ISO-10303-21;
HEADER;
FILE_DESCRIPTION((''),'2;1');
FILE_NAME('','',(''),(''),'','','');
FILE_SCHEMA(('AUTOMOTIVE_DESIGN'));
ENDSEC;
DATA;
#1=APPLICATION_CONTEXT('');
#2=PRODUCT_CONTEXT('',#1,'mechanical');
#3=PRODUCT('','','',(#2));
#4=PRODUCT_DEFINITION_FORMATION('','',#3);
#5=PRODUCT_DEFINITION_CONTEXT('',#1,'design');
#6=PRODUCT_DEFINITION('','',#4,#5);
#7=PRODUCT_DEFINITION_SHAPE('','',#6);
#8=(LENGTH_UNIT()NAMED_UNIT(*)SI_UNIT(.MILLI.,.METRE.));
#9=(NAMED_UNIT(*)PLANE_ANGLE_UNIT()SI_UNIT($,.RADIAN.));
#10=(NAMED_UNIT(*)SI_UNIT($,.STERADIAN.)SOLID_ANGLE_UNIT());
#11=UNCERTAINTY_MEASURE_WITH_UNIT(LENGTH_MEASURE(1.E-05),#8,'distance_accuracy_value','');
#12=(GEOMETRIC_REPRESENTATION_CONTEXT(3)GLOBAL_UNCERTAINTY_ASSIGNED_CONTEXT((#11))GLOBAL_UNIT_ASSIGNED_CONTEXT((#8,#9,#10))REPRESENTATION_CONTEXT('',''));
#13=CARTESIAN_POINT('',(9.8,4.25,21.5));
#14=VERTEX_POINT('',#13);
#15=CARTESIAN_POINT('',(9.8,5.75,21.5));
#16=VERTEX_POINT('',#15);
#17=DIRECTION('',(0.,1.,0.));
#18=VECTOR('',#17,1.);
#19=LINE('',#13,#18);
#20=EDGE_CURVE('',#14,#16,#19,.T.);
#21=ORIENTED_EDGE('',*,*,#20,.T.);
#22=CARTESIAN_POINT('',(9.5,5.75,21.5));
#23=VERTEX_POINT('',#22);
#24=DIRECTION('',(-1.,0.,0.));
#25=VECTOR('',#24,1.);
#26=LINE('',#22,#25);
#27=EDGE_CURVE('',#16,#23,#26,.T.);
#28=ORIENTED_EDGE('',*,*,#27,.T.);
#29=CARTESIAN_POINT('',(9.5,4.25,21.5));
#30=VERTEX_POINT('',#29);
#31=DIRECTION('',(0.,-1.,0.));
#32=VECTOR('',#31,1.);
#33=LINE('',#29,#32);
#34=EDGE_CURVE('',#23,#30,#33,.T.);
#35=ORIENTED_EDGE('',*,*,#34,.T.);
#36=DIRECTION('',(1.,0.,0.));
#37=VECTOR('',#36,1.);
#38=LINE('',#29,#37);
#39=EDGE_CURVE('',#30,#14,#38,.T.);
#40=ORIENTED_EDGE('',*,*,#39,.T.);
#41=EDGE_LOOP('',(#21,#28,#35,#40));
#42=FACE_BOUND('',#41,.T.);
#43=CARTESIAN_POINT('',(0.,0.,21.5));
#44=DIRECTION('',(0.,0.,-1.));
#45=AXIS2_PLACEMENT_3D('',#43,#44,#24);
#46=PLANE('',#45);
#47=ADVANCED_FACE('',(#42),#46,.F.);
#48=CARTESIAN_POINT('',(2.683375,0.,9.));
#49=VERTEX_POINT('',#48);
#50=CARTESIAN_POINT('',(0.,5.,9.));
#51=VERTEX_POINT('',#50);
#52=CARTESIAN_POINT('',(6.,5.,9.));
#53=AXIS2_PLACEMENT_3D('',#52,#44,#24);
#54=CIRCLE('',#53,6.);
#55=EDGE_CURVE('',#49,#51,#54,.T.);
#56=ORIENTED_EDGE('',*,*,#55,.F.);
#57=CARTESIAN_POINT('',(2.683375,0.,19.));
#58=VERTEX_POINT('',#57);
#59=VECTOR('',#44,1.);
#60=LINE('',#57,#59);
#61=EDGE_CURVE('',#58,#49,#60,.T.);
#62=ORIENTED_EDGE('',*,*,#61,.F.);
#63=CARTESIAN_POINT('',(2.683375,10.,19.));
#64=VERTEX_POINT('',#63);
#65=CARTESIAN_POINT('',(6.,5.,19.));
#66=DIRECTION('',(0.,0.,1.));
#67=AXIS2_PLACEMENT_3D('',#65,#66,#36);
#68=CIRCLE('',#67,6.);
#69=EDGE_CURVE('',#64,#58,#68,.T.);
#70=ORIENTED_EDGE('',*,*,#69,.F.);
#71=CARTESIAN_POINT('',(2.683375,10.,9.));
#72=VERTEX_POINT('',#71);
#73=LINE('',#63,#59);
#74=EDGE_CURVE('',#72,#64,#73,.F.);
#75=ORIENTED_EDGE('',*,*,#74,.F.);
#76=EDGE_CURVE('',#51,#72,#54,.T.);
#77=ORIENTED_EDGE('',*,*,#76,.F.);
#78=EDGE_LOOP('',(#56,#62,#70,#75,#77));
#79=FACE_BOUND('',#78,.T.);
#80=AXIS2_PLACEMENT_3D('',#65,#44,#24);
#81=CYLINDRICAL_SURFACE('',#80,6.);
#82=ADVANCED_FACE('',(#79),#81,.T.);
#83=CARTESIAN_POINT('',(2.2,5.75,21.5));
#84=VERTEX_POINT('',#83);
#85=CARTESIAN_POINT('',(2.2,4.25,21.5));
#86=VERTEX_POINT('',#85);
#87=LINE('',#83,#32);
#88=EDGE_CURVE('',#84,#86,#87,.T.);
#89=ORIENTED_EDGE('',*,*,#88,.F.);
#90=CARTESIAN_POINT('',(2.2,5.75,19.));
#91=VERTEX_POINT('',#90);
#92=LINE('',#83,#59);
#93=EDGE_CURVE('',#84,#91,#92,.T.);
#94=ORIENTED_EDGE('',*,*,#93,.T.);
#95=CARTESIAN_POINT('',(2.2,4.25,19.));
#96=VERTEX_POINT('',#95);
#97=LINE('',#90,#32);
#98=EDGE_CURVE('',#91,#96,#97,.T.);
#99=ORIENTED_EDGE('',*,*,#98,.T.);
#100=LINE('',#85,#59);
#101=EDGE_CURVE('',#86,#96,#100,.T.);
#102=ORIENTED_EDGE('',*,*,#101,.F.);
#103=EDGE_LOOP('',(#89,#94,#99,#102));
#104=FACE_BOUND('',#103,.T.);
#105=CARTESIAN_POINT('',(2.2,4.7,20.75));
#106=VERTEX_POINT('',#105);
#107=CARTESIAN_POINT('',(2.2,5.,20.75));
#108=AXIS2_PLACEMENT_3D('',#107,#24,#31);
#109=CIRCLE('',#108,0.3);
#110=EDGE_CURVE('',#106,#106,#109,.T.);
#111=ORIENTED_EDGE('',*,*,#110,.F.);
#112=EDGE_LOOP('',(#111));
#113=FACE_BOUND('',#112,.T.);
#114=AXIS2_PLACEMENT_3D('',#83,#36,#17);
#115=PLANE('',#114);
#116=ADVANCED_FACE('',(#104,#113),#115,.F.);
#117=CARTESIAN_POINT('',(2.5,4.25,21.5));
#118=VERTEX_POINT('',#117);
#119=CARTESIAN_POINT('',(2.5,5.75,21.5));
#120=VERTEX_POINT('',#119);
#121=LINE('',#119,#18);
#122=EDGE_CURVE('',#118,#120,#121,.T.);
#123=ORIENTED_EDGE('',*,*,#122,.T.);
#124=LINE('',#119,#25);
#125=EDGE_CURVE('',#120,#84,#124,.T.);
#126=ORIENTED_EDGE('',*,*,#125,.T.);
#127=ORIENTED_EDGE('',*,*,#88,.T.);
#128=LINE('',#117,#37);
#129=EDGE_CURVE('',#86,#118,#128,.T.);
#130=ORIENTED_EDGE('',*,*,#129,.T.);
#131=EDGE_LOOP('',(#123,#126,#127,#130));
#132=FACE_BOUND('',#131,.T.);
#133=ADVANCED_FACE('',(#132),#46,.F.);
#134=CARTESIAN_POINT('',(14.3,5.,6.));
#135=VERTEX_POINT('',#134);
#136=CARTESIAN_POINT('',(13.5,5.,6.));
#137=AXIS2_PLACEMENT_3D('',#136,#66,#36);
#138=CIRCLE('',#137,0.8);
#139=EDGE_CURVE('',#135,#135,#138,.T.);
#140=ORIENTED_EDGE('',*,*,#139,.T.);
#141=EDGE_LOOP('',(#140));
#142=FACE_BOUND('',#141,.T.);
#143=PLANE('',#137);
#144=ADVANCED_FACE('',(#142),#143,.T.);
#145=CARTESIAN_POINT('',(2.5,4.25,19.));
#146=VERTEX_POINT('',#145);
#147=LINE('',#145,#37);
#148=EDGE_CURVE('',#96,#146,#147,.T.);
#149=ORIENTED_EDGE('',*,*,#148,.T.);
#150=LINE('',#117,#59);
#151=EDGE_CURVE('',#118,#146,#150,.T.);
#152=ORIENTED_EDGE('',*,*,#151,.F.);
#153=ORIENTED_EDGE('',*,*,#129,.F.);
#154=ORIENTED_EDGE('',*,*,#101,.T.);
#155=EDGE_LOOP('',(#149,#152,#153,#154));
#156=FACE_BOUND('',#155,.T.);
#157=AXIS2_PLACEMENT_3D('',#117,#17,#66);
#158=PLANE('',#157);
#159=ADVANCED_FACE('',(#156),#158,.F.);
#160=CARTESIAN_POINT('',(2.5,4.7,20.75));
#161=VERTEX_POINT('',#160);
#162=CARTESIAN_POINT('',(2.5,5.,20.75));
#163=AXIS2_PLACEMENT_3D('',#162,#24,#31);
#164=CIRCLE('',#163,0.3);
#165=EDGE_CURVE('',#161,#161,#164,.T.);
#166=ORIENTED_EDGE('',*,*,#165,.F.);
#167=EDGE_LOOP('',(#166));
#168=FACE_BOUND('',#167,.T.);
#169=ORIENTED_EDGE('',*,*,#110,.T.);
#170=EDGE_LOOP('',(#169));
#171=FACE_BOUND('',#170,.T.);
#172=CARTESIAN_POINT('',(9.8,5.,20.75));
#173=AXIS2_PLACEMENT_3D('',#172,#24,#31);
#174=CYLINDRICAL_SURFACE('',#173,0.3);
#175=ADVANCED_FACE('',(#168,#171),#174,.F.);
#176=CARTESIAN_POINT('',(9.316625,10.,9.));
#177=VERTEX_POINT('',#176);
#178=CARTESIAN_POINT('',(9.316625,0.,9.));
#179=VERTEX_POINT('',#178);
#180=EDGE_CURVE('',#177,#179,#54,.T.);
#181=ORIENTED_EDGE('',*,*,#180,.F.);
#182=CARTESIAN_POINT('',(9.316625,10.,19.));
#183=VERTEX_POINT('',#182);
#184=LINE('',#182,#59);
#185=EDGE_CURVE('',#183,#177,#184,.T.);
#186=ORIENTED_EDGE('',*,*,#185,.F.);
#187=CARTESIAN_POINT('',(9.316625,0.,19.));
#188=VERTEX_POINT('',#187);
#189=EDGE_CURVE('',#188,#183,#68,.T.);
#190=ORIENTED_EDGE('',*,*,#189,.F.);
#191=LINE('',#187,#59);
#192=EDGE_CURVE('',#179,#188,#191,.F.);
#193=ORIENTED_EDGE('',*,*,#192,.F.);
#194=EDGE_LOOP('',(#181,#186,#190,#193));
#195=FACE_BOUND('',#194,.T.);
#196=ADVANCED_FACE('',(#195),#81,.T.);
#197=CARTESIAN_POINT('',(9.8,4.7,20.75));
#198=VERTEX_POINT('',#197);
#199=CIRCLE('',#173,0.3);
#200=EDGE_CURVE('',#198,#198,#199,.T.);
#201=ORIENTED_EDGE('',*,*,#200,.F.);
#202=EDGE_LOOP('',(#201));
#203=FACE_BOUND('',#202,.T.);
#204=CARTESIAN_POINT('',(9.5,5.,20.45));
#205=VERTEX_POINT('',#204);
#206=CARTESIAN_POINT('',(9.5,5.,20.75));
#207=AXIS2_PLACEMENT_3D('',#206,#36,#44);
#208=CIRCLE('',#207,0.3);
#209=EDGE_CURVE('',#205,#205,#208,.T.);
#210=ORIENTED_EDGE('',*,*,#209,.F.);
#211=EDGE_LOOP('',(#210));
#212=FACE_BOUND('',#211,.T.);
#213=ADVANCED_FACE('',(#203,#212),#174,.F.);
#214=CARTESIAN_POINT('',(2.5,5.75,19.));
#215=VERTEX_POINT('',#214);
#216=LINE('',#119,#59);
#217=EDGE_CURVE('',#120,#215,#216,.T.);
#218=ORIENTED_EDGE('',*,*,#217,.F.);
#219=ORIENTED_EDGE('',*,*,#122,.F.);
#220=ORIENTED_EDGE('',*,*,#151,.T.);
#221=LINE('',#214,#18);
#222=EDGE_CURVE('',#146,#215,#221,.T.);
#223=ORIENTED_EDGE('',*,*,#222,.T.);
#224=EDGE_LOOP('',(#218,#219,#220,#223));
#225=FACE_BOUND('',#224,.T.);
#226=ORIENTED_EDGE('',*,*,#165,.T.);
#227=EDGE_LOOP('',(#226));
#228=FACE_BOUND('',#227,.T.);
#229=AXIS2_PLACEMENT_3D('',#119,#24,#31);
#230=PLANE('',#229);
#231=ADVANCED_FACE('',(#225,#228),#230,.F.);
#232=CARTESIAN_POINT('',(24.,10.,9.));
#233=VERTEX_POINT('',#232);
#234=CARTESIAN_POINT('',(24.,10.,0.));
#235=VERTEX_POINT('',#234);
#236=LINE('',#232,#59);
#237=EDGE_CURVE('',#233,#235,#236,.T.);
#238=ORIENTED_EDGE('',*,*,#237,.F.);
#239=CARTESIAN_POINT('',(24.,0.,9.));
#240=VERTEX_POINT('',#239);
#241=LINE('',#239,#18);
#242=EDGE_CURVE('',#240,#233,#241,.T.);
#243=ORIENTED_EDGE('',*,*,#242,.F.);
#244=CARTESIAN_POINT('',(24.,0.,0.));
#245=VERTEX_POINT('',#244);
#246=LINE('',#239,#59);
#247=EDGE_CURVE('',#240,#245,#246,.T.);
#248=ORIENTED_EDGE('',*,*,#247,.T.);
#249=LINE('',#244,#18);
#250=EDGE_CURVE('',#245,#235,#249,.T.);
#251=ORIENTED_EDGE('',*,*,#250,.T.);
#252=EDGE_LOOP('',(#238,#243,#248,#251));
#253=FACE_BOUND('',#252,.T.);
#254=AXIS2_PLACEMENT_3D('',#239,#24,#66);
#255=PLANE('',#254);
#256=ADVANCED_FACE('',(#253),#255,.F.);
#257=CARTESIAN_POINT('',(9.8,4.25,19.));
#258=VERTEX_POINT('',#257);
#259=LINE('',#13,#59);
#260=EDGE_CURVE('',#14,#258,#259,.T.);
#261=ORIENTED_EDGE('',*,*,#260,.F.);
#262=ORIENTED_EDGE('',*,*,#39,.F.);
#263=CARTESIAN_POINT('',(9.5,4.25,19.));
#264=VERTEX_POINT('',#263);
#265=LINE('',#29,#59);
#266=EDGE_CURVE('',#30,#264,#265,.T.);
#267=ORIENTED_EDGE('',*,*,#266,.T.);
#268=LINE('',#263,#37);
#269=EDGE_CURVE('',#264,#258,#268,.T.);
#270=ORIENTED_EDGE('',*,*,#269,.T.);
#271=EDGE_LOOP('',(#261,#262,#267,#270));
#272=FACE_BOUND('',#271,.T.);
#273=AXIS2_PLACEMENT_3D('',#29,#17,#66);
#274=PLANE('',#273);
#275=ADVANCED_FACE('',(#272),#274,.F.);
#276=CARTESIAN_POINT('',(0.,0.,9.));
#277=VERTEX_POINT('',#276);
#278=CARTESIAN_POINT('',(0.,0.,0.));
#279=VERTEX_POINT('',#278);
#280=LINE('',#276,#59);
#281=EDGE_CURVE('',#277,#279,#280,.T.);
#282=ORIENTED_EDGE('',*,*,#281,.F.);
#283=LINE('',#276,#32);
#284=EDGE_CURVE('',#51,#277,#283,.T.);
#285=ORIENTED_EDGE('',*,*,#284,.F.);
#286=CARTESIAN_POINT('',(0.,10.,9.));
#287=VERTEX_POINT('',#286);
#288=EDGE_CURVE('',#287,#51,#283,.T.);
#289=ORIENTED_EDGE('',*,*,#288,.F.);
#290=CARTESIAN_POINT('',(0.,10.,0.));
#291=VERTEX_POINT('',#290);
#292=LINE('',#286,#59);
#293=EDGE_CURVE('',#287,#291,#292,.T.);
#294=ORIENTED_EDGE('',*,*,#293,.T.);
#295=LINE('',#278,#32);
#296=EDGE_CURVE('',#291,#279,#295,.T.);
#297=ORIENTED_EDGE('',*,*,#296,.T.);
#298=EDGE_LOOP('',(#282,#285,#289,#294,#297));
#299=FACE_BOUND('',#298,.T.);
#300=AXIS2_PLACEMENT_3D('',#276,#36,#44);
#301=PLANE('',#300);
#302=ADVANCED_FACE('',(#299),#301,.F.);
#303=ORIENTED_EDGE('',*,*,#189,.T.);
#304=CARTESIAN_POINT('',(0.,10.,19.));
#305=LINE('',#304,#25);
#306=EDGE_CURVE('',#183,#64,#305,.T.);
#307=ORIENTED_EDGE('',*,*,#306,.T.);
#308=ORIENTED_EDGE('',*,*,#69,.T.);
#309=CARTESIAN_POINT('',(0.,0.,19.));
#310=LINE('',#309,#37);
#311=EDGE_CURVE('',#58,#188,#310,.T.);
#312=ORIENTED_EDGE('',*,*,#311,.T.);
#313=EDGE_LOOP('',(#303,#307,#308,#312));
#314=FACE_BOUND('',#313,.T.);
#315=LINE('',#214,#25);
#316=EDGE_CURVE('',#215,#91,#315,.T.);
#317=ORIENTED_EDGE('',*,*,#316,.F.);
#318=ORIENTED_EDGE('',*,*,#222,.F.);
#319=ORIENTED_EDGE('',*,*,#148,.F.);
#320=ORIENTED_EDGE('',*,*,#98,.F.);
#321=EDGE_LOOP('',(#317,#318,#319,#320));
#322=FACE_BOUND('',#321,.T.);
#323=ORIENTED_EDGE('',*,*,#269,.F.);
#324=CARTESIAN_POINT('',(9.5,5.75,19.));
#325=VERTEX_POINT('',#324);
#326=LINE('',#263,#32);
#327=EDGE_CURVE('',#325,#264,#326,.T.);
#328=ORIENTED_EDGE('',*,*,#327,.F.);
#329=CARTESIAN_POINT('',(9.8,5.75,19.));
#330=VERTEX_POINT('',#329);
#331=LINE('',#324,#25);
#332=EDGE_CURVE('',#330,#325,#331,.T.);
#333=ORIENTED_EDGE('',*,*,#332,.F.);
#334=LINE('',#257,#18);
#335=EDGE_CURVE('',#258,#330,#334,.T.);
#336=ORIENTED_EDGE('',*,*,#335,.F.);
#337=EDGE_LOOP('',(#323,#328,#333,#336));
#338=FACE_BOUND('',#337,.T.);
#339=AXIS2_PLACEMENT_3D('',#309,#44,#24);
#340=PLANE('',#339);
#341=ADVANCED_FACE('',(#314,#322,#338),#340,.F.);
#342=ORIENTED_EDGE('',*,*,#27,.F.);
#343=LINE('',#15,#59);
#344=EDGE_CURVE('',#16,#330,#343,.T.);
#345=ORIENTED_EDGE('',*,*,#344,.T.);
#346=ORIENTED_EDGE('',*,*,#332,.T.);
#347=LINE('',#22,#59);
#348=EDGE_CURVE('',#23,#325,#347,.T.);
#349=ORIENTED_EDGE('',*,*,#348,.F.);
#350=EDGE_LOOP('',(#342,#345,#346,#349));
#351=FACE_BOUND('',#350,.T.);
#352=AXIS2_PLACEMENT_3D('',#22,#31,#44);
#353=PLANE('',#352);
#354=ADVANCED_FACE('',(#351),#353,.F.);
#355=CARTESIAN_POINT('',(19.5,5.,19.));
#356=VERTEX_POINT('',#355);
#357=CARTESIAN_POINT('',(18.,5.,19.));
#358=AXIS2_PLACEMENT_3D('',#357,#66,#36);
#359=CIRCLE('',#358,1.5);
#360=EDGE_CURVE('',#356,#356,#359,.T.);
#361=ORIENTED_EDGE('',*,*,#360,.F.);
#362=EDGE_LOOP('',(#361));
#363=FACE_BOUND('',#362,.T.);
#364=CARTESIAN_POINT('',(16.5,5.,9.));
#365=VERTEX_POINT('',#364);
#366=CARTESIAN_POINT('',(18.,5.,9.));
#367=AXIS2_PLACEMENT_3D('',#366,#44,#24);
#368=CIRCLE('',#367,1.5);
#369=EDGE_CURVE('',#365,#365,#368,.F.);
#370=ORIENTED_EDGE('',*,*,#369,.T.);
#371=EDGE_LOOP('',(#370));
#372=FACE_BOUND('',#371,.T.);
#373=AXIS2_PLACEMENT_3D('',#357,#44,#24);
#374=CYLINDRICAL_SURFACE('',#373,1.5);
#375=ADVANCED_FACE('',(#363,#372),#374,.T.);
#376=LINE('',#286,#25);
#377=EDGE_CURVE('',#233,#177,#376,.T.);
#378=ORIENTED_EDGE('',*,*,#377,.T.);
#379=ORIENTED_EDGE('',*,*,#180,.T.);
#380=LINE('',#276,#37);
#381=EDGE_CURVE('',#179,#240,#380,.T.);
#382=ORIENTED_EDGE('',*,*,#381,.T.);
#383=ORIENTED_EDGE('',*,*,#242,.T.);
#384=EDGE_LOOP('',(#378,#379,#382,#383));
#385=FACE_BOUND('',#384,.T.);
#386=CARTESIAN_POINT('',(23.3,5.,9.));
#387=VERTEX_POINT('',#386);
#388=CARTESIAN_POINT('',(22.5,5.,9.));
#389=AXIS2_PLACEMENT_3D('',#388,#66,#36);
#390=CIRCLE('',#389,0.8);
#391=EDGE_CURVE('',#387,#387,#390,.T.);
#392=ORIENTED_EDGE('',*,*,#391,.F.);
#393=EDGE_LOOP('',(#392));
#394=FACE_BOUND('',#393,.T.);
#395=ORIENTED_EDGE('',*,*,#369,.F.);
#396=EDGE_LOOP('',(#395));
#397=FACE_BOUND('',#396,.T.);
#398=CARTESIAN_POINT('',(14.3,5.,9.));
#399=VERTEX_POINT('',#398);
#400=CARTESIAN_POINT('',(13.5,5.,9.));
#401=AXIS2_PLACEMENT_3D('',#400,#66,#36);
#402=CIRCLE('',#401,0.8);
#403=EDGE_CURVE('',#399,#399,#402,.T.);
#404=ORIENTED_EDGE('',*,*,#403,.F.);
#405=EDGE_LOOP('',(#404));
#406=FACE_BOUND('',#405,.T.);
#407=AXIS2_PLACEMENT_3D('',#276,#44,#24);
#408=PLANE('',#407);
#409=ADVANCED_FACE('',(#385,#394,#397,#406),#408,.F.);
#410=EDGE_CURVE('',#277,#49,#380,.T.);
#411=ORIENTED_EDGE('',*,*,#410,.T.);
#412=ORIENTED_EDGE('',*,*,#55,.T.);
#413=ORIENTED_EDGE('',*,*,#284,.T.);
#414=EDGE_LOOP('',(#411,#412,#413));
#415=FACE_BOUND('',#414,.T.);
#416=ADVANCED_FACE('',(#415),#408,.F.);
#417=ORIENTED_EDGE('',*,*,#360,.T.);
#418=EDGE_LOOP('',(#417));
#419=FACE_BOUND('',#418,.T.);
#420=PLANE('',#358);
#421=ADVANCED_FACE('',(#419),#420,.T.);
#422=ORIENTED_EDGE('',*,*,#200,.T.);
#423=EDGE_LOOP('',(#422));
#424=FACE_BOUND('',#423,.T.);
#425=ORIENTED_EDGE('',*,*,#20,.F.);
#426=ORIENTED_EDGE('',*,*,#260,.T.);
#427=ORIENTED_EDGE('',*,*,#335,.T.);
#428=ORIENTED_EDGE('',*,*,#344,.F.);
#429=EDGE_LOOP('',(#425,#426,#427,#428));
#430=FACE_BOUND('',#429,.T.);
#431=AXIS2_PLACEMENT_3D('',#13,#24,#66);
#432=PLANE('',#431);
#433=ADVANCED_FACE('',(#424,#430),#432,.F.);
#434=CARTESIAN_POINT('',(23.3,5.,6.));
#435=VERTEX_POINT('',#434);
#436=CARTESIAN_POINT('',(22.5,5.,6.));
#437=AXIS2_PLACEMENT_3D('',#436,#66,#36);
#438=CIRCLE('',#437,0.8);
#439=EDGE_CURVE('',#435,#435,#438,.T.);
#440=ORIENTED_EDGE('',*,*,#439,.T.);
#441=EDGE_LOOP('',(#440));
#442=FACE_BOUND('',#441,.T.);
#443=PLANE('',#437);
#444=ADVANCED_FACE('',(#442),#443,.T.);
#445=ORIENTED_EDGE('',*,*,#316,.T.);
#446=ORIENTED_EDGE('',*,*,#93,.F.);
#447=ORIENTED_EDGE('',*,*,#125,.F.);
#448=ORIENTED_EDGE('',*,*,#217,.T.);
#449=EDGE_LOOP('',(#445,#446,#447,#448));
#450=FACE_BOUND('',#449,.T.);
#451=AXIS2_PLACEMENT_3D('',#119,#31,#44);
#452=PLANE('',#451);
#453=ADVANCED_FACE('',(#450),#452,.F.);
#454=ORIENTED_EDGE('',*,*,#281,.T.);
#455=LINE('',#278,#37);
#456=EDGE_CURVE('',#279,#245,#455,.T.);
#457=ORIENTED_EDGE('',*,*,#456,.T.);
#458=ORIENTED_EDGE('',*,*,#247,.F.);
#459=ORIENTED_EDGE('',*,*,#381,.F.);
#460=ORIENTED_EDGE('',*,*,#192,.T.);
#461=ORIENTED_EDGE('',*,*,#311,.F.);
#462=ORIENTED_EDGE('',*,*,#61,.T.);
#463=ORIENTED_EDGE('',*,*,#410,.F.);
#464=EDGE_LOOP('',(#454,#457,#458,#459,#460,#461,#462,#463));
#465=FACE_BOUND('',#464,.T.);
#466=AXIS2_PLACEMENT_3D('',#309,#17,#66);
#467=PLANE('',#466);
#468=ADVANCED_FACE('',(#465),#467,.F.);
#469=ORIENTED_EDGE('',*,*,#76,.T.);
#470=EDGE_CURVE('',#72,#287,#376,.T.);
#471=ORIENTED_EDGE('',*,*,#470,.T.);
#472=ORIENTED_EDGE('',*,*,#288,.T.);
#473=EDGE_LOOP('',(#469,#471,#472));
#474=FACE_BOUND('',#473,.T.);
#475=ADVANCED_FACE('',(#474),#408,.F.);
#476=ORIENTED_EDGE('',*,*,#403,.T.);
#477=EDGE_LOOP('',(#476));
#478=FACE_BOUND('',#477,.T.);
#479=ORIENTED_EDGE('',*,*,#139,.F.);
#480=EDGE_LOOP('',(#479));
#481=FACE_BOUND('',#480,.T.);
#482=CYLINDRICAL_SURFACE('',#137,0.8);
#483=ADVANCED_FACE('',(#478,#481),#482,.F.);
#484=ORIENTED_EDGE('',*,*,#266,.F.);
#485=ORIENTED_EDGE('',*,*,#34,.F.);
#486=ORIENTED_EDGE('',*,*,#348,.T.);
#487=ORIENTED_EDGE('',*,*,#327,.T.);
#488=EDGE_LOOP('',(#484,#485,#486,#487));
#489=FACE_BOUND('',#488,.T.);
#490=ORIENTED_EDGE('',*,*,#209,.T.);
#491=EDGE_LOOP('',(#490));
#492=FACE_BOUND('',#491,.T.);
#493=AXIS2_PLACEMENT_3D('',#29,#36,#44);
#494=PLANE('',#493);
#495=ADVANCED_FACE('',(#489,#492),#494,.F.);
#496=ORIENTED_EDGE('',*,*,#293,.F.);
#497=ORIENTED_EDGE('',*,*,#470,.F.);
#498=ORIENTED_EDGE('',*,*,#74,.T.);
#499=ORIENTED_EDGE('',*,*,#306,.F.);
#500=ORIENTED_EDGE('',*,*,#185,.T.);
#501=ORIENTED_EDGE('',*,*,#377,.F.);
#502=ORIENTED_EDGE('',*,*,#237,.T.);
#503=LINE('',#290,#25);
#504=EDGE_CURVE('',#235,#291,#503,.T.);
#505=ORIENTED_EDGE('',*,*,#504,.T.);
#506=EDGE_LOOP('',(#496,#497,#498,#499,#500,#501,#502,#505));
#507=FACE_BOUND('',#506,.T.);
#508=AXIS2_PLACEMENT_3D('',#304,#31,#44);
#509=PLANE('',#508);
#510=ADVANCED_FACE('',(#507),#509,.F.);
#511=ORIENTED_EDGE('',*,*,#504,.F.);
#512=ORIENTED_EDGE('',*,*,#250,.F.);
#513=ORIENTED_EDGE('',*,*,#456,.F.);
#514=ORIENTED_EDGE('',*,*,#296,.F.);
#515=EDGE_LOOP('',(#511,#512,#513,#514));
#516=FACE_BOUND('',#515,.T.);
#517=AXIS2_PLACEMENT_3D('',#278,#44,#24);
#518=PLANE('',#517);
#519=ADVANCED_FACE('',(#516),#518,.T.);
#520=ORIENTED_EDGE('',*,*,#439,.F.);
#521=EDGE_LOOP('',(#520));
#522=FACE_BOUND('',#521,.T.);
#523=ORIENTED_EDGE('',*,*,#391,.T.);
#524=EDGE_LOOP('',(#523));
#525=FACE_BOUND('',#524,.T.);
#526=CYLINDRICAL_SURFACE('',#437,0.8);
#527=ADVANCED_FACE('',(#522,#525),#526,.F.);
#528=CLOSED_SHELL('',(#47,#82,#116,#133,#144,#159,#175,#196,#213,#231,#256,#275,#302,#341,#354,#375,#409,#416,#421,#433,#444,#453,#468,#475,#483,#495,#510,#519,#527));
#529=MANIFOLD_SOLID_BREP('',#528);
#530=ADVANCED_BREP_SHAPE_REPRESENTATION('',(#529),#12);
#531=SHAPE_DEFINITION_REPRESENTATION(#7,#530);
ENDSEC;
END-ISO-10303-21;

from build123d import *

# Parameters (mm, degrees)
SKETCH_1_W          = 12
SKETCH_1_H          = 10
EXTRUDE_1_DEPTH     = 19
SKETCH_2_OUTSIDE_W  = 18.92
SKETCH_2_OUTSIDE_H  = 16.92
SKETCH_2_OUTSIDE_R  = 6
CUT_EXTRUDE_1_DEPTH = 19
SKETCH_3_W          = 24
SKETCH_3_H          = 10
EXTRUDE_2_DEPTH     = 9
SKETCH_4_R          = 1.5
EXTRUDE_3_DEPTH     = 10
SKETCH_9_R          = 0.8
CUT_EXTRUDE_2_DEPTH = 3
SKETCH_10_W         = 0.3
SKETCH_10_H         = 1.5
EXTRUDE_5_DEPTH     = 2.5
SKETCH_12_R         = 0.3
CUT_EXTRUDE_3_DEPTH = 7.6


with BuildPart() as part:
    # 草图1 → 凸台-拉伸1 (new body)
    with BuildSketch(Plane.XY):
        with Locations((6, 5)):
            Rectangle(SKETCH_1_W, SKETCH_1_H)
    extrude(amount=EXTRUDE_1_DEPTH)

    # 草图2 outside → 切除-拉伸1 (cut)
    with BuildSketch(Plane.XY):
        with Locations((6, 5)):
            Rectangle(SKETCH_2_OUTSIDE_W, SKETCH_2_OUTSIDE_H)
        with Locations((6, 5)):
            Circle(SKETCH_2_OUTSIDE_R, mode=Mode.SUBTRACT)
    extrude(amount=CUT_EXTRUDE_1_DEPTH, mode=Mode.SUBTRACT)

    # 草图3 → 凸台-拉伸2 (add)
    with BuildSketch(Plane.XY):
        with Locations((12, 5)):
            Rectangle(SKETCH_3_W, SKETCH_3_H)
    extrude(amount=EXTRUDE_2_DEPTH)

    # 草图4 → 凸台-拉伸3 (add)
    with BuildSketch(Plane.XY.offset(9)):
        with Locations(Location((18, 5, 0), (0, 0, 180))):
            Circle(SKETCH_4_R)
    extrude(amount=EXTRUDE_3_DEPTH)

    # 草图9 → 切除-拉伸2 (cut)
    with BuildSketch(Plane.XY.offset(9)):
        with Locations((13.5, 5)):
            Circle(SKETCH_9_R)
        with Locations((22.5, 5)):
            Circle(SKETCH_9_R)
    extrude(amount=-CUT_EXTRUDE_2_DEPTH, mode=Mode.SUBTRACT)

    # 草图10 → 凸台-拉伸5 (add)
    with BuildSketch(Plane.XY.offset(19)):
        with Locations((2.35, 5)):
            Rectangle(SKETCH_10_W, SKETCH_10_H)
        with Locations((9.65, 5)):
            Rectangle(SKETCH_10_W, SKETCH_10_H)
    extrude(amount=EXTRUDE_5_DEPTH)

    # 草图12 → 切除-拉伸3 (cut)
    with BuildSketch(Plane.ZY.offset(-2.2)):
        with Locations(Location((20.75, 5, 0), (0, 0, 270))):
            Circle(SKETCH_12_R)
    extrude(amount=-CUT_EXTRUDE_3_DEPTH, mode=Mode.SUBTRACT)


solid = part.part
